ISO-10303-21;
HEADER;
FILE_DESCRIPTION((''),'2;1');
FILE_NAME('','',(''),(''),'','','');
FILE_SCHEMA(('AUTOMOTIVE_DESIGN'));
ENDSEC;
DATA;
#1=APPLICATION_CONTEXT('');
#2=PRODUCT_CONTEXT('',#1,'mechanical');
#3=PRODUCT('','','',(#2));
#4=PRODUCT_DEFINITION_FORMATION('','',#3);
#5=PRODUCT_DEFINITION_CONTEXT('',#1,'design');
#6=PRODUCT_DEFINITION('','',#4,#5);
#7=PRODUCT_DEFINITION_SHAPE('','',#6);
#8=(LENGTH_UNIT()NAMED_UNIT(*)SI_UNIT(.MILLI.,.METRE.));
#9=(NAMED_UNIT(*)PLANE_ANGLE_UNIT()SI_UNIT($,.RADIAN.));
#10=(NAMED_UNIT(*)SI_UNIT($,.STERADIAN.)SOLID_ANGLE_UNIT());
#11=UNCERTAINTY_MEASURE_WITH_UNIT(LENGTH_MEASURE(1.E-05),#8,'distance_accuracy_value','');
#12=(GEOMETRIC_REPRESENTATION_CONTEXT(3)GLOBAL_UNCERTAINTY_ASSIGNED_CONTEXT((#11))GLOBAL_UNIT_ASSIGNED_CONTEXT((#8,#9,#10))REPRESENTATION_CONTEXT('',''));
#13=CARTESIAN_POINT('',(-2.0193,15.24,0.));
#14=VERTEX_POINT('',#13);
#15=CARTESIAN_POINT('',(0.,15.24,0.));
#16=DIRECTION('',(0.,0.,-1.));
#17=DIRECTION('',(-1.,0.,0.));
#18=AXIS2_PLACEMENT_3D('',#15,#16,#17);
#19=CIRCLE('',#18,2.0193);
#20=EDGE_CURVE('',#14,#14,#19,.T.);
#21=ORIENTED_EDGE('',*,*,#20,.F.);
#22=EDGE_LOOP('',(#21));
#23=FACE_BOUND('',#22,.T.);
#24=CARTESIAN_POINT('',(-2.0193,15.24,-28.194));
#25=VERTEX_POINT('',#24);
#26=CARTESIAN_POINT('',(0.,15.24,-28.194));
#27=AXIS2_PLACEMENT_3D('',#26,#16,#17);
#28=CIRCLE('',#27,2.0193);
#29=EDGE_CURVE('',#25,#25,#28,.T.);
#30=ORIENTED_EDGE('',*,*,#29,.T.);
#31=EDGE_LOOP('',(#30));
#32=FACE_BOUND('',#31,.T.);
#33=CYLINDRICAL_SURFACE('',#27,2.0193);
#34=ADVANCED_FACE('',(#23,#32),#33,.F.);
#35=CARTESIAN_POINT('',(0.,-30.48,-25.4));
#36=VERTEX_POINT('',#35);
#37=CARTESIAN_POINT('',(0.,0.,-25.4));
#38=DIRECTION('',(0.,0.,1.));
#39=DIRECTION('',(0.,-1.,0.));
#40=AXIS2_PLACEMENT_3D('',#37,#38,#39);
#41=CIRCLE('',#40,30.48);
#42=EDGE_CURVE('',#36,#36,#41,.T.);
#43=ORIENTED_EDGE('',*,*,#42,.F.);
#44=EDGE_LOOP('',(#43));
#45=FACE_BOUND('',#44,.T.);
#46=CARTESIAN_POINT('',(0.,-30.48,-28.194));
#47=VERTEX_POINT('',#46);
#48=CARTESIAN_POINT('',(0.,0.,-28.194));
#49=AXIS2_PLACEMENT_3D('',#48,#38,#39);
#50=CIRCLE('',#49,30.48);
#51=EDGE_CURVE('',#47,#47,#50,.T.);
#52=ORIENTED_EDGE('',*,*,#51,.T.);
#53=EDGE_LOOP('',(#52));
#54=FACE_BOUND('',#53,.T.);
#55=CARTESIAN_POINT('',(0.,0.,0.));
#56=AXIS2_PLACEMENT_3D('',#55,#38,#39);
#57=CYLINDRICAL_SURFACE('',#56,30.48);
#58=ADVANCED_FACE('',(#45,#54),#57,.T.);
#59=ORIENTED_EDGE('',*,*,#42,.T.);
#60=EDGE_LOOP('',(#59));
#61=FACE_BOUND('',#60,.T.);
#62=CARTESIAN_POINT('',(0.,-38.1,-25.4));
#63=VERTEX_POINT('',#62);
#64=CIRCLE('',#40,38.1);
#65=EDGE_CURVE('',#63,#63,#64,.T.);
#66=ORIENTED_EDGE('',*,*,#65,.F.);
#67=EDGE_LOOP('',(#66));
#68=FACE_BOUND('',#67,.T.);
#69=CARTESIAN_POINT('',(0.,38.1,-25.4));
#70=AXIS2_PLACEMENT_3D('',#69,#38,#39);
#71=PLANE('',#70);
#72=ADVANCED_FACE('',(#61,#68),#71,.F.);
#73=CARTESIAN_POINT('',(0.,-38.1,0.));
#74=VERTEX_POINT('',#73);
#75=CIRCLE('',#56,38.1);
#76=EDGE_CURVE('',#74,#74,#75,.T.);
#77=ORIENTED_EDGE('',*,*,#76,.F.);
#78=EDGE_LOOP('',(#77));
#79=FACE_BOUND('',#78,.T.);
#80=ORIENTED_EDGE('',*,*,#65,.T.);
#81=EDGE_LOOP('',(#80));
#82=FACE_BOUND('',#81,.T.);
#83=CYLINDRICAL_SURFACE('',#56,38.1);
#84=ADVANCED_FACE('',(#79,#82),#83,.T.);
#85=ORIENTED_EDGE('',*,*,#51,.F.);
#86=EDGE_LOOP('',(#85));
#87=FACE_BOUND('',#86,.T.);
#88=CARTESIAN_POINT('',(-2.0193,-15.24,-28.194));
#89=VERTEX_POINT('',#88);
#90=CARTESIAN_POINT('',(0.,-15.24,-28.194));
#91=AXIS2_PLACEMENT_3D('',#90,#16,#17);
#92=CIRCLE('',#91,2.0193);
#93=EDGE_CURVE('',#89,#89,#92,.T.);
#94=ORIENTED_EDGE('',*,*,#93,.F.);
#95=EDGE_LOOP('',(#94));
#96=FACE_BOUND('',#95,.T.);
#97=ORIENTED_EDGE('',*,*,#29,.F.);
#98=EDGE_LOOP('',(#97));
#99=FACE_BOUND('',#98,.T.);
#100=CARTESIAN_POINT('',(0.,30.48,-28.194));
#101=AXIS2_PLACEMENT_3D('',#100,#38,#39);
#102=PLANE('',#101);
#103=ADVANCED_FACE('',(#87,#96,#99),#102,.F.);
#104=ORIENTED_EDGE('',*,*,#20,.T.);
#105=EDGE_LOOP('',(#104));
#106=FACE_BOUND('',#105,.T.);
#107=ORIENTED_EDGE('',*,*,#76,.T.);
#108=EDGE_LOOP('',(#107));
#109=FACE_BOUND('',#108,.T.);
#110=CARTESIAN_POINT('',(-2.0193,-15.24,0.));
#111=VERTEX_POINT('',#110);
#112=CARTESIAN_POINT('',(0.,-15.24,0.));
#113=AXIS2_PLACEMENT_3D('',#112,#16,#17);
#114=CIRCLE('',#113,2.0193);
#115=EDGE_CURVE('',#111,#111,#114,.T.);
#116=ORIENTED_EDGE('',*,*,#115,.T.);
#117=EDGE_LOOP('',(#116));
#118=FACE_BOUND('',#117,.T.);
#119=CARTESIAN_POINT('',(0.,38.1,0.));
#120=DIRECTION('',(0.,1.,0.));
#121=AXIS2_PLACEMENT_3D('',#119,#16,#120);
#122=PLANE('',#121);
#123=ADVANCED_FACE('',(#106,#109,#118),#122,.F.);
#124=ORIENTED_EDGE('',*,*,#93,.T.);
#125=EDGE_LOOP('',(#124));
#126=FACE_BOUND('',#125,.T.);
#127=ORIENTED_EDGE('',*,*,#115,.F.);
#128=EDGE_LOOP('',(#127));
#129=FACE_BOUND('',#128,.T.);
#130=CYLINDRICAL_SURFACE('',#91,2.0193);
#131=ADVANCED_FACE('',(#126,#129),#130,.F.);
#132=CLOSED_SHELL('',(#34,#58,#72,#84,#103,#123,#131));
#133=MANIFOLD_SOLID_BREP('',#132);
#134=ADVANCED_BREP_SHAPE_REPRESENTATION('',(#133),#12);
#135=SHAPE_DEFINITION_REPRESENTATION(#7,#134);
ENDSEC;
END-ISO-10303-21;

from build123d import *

# Parameters (mm, degrees)
F_10_32_TAPPED_HOLE1_D = 4.0386


with BuildPart() as part:
    # Sketch1 → Revolve2 (revolve)
    with BuildSketch(Plane(origin=(0, 0, 0), x_dir=(0, 0, -1), z_dir=(1, 0, 0)), mode=Mode.PRIVATE) as revolve2_sk:
        Polygon((0, 38.1), (25.4, 38.1), (25.4, 30.48), (28.194, 30.48), (28.194, 0), (0, 0), align=None)
    revolve(revolve2_sk.sketch.rotate(Axis((0, 0, 0), (0, 0, -1)), 180), axis=Axis((0, 0, 0), (0, 0, -1)))

    # #10-32 Tapped Hole1 (through all)
    with Locations(Plane(origin=(0, 0, -28.194), x_dir=(-1, 0, 0), z_dir=(0, 0, -1))):
        with Locations((0, 15.24), (0, -15.24)):
            Hole(F_10_32_TAPPED_HOLE1_D / 2)


solid = part.part
